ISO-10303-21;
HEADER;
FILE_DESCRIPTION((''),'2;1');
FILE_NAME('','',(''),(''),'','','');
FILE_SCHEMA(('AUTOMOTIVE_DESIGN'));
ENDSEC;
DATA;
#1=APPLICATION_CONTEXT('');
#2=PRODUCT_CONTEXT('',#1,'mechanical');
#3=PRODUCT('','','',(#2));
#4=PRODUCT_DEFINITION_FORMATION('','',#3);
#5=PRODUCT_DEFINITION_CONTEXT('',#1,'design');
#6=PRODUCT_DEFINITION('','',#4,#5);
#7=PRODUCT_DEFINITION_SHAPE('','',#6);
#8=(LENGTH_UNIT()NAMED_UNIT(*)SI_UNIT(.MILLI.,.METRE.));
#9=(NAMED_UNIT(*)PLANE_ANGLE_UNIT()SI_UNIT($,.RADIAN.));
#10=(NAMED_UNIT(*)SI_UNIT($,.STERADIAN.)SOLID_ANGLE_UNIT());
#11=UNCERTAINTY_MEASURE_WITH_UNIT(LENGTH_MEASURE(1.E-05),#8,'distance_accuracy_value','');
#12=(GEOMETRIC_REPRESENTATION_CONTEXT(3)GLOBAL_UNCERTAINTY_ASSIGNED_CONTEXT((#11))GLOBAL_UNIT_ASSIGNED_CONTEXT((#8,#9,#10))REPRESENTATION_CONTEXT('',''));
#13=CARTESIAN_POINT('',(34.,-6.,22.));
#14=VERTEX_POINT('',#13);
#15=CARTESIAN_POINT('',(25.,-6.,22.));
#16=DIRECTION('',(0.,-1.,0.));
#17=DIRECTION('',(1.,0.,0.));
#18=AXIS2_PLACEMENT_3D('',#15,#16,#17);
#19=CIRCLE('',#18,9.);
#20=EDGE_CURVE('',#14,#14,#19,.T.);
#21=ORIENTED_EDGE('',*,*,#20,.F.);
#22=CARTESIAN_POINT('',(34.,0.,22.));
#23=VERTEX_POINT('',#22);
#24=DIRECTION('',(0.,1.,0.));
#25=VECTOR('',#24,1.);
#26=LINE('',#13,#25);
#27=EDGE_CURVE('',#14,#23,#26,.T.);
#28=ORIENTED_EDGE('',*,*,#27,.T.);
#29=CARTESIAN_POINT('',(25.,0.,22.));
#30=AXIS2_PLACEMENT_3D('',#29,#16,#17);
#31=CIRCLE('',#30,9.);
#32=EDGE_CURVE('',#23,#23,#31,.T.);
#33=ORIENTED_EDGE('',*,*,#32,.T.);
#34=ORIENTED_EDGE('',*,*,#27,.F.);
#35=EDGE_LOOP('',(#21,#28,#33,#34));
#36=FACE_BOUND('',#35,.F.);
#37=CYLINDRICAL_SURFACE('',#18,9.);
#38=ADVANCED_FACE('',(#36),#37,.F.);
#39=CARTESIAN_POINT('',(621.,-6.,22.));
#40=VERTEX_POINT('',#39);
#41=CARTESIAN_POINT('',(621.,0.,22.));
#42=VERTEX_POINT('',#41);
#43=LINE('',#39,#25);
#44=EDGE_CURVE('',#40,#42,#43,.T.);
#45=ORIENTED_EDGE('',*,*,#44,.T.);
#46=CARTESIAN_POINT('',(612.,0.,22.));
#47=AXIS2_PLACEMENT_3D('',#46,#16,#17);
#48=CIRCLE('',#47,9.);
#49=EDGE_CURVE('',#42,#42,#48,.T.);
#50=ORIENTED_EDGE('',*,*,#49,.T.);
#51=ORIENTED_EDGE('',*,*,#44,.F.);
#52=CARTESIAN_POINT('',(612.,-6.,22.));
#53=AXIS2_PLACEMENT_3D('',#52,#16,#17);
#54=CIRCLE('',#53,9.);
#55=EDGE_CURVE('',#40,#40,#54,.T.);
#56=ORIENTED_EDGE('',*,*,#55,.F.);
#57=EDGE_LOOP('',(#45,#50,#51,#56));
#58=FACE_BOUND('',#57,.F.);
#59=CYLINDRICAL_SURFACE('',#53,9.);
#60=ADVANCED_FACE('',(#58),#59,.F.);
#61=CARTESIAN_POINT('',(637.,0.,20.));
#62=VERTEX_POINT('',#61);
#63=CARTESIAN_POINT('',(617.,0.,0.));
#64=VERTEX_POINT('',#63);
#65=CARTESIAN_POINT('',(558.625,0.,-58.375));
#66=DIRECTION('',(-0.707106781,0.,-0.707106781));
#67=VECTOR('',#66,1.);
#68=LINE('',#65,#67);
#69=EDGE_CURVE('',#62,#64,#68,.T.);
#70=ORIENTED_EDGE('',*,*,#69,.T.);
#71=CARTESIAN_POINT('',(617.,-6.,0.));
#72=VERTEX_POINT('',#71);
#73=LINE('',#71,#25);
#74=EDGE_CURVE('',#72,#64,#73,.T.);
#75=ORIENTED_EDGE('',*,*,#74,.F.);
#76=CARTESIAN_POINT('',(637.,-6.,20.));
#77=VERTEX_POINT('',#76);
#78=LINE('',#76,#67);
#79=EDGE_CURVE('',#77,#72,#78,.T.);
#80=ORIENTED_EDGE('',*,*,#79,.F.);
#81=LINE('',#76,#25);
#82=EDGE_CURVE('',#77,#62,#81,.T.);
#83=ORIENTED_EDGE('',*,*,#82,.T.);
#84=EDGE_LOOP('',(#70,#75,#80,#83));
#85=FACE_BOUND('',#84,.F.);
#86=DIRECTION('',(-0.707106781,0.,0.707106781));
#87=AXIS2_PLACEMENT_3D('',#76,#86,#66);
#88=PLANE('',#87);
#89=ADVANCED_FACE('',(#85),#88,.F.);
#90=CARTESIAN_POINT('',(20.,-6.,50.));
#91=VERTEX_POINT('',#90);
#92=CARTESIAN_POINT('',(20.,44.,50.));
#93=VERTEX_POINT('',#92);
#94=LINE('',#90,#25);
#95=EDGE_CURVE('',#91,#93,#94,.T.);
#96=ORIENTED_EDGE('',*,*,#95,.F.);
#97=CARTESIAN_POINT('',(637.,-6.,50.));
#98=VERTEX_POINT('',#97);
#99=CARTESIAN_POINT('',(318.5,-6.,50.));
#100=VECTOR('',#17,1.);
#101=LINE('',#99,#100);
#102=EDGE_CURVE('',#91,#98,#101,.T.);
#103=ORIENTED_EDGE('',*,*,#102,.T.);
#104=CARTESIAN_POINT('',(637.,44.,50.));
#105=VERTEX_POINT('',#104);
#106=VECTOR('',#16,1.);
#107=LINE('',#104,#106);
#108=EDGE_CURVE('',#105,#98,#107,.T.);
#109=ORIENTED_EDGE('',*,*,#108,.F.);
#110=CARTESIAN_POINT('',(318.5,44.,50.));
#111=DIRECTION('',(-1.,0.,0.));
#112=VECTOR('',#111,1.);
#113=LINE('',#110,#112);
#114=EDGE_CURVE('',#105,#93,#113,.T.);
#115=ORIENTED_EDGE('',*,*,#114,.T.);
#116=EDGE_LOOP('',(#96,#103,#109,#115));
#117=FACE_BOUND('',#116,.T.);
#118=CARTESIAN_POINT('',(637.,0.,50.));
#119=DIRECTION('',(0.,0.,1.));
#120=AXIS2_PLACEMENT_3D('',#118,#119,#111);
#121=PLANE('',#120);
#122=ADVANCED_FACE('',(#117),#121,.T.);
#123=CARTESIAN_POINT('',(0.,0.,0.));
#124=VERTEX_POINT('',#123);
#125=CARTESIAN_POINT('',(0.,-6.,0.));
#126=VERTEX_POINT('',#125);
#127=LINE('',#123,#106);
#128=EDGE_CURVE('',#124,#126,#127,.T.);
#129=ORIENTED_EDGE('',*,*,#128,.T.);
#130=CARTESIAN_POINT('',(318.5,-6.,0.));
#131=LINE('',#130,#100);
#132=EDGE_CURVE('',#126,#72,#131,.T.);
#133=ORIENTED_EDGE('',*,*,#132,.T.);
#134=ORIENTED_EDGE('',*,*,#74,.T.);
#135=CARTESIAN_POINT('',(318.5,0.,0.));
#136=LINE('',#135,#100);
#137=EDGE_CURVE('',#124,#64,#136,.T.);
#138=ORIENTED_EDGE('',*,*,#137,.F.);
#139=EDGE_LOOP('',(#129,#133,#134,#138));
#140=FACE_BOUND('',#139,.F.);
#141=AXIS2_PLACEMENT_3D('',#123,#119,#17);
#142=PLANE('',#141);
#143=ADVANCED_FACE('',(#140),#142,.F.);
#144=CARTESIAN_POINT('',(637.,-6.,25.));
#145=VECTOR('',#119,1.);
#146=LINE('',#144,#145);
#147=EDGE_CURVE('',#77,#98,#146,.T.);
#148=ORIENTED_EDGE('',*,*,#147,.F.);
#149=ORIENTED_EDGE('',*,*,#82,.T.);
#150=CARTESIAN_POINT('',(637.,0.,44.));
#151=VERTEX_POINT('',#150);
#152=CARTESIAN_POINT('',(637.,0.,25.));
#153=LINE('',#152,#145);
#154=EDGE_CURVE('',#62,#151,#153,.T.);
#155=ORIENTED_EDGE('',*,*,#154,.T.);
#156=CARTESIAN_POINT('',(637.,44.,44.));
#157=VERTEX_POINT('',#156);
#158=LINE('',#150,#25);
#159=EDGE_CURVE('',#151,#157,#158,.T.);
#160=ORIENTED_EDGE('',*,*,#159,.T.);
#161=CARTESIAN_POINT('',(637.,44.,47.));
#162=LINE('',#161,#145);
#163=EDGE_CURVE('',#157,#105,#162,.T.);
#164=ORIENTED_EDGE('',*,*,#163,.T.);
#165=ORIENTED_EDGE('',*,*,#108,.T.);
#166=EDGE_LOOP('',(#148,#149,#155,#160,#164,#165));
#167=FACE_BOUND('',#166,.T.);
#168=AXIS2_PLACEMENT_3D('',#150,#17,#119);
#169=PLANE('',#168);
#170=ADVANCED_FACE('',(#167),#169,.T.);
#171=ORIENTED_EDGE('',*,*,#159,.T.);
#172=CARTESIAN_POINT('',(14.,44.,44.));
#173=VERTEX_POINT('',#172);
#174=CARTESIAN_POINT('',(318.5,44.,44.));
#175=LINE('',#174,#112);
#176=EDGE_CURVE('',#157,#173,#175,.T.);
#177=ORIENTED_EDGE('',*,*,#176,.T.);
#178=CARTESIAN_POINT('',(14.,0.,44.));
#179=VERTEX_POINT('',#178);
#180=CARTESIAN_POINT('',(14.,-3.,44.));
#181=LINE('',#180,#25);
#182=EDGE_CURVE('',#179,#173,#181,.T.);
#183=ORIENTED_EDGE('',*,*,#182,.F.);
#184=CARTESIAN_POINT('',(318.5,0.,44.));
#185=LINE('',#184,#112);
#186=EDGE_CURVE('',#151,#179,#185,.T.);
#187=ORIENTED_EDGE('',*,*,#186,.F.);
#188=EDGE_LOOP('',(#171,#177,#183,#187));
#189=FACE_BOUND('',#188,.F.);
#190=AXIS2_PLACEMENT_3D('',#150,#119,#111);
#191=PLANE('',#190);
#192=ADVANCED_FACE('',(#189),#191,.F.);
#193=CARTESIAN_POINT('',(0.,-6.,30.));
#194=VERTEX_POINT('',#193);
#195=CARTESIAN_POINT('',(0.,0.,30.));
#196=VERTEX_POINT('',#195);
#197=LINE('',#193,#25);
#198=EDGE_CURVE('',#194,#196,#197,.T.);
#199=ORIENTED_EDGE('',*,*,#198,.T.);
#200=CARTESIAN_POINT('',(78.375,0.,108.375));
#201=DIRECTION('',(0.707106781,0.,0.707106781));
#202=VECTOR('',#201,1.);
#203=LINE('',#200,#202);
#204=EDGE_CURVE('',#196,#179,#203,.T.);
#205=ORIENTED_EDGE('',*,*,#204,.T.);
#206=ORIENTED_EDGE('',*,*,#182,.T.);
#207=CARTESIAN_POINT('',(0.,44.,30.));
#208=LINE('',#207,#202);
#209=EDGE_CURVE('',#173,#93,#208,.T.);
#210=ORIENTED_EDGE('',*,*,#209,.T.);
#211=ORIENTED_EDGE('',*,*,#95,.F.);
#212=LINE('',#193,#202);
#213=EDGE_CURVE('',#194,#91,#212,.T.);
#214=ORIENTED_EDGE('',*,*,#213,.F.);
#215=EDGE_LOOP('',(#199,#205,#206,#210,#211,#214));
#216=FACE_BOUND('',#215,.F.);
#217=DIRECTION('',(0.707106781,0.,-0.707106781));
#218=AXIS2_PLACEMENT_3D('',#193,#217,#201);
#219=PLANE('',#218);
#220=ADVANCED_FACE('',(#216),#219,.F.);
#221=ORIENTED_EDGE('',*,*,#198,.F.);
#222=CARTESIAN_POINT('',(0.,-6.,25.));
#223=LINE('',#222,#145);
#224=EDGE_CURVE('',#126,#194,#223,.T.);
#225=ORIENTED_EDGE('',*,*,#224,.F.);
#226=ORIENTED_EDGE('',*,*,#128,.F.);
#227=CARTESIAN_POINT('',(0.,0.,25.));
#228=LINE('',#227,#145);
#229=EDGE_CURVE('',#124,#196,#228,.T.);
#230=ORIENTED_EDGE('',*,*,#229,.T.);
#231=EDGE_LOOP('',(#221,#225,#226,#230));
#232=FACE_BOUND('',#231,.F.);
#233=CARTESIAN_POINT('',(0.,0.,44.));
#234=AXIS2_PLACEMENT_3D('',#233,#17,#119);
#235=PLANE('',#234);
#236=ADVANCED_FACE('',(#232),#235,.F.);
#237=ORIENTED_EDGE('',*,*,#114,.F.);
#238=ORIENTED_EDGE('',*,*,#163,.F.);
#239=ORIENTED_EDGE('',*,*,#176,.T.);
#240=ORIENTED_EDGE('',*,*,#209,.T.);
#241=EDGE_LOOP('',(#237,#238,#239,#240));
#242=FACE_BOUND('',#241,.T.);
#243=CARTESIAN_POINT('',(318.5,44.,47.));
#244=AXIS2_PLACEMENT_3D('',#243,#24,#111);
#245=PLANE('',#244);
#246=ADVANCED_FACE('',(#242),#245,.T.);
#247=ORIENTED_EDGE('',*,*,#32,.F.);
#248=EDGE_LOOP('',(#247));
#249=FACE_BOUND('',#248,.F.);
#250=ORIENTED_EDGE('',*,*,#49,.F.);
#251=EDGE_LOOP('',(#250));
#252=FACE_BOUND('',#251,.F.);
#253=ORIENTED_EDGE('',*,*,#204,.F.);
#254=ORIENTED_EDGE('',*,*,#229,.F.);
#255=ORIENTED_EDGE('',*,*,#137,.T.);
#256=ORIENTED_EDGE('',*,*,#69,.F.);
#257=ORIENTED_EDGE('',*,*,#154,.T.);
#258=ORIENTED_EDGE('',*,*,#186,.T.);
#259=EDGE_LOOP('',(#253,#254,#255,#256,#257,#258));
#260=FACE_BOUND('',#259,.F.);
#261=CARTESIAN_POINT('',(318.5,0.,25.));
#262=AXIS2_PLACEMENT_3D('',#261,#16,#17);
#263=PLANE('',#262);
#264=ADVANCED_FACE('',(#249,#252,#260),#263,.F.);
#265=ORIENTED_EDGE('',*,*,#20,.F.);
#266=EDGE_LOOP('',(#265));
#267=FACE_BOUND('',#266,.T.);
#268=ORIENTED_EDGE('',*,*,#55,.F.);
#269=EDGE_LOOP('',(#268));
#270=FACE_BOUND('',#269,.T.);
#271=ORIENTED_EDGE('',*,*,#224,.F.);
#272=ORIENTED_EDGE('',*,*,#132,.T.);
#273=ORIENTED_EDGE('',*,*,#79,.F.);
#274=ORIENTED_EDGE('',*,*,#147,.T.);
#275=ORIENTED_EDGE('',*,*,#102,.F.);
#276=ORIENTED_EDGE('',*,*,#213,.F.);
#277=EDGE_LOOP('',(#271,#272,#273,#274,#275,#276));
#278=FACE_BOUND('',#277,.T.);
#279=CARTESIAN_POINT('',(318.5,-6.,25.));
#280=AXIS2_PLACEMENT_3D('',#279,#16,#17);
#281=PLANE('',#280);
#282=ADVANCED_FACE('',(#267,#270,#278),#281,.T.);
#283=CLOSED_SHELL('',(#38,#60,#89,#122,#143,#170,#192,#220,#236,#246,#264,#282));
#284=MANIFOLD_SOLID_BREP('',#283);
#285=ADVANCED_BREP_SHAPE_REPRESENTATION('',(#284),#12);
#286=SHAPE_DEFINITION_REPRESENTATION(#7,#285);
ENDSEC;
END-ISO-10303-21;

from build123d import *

# Parameters (mm, degrees)
F0_W     = 637
F0_H     = 50
F1_DEPTH = 6
F2_W     = 637
F2_H     = 6
F3_DEPTH = 44
F4_R     = 9
F5_DEPTH = 25
F7_DEPTH = 50


with BuildPart() as f1:
    # F0 (on Front) → F1 (new body)
    with BuildSketch(Plane.XZ):
        with Locations((318.5, 25)):
            Rectangle(F0_W, F0_H)
    extrude(amount=F1_DEPTH)

    # F2 (on face) → F3 (join)
    with BuildSketch(Plane(origin=(0, 0, 0), x_dir=(-1, 0, 0), z_dir=(0, 1, 0))):
        with Locations((-318.5, 47)):
            Rectangle(F2_W, F2_H)
    extrude(amount=F3_DEPTH)

    # F4 (on face) → F5 (cut)
    with BuildSketch(Plane.XZ.offset(6)):
        with Locations((25, 22)):
            Circle(F4_R)
        with Locations((612, 22)):
            Circle(F4_R)
    extrude(amount=-F5_DEPTH, mode=Mode.SUBTRACT)

    # F6 (on face) → F7 (cut)
    with BuildSketch(Plane.XZ.offset(6)):
        Polygon((637, 20), (617, 0), (637, 0), align=None)
        Polygon((0, 50), (0, 30), (20, 50), align=None)
    extrude(amount=-F7_DEPTH, mode=Mode.SUBTRACT)


solid = f1.part
